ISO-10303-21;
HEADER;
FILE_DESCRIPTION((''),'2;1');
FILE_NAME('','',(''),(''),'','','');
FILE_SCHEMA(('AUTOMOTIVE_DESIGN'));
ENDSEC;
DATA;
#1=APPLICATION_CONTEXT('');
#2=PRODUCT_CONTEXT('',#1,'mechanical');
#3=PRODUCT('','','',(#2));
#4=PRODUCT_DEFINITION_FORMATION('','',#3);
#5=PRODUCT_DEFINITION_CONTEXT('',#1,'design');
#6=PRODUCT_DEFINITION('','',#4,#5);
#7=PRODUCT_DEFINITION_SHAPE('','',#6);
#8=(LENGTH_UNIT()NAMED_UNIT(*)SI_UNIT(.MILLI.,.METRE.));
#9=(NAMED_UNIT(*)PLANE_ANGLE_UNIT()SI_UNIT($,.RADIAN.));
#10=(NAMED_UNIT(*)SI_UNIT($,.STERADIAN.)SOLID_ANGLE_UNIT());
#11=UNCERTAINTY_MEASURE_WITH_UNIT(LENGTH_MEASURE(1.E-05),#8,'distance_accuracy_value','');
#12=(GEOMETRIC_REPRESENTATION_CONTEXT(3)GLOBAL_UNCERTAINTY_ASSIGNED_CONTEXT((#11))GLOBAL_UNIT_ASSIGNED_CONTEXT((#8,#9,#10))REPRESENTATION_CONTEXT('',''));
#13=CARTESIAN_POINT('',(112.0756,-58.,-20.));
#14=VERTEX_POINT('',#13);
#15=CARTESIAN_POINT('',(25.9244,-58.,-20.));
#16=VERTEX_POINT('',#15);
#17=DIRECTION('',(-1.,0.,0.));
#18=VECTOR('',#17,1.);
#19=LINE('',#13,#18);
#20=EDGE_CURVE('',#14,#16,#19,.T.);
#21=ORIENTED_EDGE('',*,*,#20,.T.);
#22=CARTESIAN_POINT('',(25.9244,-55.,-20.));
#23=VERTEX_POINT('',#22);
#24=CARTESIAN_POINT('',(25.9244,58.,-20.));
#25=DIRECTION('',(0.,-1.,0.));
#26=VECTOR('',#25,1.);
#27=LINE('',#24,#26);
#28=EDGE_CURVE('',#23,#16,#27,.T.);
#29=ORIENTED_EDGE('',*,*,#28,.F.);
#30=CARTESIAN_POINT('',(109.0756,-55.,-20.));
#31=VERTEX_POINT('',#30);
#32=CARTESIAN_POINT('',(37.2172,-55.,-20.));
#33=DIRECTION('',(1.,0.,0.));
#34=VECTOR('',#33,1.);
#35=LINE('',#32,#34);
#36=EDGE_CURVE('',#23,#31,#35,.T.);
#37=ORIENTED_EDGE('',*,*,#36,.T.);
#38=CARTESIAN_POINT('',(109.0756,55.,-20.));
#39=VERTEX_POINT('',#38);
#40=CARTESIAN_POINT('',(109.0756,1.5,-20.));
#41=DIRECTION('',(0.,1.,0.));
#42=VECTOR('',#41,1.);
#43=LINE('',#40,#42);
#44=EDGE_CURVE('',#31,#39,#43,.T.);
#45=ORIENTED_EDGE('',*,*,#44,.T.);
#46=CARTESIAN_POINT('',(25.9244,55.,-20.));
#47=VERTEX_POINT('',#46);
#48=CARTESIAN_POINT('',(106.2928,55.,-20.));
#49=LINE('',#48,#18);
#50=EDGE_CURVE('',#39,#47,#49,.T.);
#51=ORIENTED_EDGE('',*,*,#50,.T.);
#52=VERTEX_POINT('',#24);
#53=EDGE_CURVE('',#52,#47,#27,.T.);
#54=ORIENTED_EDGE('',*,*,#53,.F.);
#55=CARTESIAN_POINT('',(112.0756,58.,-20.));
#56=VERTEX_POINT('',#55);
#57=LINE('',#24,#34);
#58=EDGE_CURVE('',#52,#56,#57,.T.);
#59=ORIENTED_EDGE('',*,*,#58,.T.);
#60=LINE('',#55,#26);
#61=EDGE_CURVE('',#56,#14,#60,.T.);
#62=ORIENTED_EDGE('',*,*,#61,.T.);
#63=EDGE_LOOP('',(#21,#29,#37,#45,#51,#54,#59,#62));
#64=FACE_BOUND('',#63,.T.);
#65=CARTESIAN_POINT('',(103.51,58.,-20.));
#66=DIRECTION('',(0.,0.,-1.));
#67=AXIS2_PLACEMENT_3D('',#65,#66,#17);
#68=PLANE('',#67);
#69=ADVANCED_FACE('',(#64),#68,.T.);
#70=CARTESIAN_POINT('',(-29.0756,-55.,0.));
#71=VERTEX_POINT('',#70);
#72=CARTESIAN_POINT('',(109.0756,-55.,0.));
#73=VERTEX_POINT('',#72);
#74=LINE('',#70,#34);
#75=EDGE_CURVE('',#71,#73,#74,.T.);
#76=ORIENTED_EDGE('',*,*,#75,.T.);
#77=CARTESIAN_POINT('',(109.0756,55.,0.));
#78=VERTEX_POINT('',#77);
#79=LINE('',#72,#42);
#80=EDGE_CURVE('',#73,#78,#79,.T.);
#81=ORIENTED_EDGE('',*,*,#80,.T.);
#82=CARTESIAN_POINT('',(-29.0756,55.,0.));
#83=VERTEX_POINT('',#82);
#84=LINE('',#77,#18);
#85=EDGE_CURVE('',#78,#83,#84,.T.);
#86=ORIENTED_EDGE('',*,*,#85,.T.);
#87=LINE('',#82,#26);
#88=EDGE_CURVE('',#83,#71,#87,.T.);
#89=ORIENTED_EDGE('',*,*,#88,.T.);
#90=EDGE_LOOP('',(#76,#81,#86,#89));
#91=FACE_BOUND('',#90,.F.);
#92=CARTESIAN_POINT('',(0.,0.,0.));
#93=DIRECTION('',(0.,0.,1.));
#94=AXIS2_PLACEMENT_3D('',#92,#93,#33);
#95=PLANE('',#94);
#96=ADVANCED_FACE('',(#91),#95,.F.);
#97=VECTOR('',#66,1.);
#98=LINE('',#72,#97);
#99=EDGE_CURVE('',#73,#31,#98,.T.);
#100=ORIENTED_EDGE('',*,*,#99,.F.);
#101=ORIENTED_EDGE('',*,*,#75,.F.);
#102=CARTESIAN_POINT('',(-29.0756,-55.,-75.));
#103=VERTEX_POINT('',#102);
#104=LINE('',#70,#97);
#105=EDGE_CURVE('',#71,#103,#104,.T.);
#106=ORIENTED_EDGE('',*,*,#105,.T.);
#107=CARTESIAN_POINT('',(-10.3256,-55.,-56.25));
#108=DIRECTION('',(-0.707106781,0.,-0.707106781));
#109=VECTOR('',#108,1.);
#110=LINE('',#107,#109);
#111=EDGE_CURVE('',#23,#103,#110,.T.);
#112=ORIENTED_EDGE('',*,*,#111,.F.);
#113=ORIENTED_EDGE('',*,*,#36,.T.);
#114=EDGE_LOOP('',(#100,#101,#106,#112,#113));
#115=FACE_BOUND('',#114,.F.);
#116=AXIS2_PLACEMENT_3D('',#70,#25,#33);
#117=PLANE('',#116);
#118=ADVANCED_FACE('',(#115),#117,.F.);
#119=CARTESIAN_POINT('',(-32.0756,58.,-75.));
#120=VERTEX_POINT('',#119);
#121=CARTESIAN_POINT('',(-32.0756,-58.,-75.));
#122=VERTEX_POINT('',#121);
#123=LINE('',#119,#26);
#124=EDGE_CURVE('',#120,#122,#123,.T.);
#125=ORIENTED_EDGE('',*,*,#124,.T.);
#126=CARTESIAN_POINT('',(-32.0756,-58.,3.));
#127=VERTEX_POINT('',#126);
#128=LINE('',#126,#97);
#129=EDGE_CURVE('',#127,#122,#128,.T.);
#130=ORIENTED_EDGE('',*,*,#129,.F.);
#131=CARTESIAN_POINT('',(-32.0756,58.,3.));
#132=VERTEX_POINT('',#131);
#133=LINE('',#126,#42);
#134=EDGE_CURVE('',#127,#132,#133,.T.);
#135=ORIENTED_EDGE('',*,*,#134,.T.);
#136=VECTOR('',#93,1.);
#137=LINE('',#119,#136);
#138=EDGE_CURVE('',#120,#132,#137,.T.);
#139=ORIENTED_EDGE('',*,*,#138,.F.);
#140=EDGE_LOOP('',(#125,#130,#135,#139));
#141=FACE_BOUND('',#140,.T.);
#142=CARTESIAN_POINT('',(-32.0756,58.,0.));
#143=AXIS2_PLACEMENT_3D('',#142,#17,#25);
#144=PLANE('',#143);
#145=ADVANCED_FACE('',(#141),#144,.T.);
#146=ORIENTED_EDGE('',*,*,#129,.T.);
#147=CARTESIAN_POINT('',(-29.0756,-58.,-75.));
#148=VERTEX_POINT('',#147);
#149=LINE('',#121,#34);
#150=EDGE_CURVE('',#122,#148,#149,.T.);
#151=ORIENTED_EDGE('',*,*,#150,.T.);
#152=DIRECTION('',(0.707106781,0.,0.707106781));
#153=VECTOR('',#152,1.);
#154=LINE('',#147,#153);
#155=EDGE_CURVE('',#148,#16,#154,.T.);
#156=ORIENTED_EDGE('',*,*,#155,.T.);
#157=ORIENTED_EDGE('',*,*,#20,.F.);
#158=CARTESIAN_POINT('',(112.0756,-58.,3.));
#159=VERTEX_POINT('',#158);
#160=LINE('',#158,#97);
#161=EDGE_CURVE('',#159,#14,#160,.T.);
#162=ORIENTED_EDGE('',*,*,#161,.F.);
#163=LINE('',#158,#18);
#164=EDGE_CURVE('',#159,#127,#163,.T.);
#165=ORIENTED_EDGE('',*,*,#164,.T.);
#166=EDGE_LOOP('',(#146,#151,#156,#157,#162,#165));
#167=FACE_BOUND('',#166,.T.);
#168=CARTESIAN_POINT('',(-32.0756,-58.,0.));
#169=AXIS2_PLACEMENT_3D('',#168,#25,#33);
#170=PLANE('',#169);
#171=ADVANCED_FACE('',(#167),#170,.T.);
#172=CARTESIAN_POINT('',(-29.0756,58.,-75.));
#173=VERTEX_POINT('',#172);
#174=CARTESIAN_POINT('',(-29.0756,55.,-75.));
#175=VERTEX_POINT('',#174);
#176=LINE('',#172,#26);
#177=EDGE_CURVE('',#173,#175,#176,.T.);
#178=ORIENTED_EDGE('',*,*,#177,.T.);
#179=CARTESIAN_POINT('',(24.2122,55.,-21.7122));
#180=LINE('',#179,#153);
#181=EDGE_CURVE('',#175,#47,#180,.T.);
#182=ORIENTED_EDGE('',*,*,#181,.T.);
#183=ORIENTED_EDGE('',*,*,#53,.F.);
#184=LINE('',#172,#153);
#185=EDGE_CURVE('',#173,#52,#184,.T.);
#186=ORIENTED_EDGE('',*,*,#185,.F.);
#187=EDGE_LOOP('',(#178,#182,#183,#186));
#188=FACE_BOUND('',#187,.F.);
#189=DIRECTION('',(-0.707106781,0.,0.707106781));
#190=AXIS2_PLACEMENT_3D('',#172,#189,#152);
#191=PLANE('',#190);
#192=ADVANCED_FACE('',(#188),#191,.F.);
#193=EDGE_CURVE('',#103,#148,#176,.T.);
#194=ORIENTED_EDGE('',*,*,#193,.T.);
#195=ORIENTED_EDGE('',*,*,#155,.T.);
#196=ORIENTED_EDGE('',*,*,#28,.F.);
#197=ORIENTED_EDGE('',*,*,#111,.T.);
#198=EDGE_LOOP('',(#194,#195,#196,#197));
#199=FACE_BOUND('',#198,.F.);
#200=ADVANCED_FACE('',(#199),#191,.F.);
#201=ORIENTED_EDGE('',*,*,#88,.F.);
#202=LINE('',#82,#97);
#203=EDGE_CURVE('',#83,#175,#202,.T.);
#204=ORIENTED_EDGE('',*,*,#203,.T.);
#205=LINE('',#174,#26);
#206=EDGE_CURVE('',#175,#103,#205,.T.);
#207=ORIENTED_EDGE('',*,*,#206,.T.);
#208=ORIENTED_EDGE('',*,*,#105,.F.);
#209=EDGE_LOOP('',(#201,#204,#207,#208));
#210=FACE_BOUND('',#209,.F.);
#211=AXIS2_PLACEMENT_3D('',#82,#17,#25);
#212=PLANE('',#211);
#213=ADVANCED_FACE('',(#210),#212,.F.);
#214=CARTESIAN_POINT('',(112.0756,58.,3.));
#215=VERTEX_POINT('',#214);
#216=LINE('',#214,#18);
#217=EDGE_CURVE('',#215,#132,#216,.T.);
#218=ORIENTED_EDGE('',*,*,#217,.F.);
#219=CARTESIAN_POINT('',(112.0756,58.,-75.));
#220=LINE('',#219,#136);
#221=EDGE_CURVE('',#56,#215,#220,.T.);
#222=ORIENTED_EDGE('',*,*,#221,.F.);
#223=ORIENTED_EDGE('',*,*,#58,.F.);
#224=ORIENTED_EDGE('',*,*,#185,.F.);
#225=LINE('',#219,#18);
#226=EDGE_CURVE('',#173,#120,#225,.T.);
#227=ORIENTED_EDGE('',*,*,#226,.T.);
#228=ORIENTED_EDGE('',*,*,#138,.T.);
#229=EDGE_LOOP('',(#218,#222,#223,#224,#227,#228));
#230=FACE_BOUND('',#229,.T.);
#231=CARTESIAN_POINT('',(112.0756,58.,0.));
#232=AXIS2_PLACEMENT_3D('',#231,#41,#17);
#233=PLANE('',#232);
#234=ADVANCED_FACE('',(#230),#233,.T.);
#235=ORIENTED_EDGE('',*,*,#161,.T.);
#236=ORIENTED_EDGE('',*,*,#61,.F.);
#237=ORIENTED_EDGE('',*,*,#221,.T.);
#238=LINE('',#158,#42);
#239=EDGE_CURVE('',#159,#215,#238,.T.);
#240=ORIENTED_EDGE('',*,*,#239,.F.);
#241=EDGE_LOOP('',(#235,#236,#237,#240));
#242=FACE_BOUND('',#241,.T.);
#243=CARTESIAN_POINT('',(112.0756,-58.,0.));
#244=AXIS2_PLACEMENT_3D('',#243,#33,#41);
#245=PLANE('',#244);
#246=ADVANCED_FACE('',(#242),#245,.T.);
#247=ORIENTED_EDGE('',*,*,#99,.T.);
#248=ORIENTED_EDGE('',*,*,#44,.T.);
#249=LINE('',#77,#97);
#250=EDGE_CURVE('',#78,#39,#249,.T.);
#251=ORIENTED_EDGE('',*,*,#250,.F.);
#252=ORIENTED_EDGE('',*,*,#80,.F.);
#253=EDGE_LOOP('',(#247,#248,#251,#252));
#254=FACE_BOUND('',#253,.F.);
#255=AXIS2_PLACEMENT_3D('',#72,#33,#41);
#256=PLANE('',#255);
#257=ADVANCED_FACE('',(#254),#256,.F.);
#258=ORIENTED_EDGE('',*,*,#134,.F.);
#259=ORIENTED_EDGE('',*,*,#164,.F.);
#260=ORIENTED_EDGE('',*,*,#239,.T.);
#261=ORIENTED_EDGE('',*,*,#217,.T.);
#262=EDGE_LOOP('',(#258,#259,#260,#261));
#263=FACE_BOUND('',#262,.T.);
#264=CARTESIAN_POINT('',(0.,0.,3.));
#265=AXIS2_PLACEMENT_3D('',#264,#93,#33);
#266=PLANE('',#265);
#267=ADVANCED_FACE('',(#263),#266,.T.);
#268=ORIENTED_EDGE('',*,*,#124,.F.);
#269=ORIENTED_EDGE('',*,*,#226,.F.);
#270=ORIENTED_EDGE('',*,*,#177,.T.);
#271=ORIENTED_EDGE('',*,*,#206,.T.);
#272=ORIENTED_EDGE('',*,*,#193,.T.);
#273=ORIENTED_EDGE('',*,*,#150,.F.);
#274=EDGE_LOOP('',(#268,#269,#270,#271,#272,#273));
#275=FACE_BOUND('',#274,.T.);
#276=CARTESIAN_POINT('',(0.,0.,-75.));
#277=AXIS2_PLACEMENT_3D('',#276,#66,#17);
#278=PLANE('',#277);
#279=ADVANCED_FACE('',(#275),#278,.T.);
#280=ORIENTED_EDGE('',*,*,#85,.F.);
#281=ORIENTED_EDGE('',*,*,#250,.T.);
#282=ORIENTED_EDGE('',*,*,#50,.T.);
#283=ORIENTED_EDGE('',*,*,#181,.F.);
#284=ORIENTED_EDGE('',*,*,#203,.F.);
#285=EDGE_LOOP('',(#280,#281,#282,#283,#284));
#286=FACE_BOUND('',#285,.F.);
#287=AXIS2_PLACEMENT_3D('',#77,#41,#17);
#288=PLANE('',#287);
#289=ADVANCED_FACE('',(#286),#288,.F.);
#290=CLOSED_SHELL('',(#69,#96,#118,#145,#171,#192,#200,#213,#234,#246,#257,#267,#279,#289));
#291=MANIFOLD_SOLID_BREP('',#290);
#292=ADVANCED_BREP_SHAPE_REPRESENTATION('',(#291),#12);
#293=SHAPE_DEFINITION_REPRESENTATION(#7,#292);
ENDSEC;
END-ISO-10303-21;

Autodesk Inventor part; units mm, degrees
ref_plane "YZ Plane" through (0, 0, 0) normal (1, 0, 0) x (0, 1, 0)
ref_plane "XZ Plane" through (0, 0, 0) normal (0, 1, 0) x (-1, 0, 0)
ref_plane "XY Plane" through (0, 0, 0) normal (0, 0, 1) x (1, 0, 0)
sketch "Эскиз1" plane through (0, 0, 0) normal (0, 0, 1) x (1, 0, 0)
  line L0 (29.9444, -74.6554) -> (-27.0756, -74.6554) projected
  line L1 (29.9444, 31.7946) -> (29.9444, -74.6554) projected
  line L2 (-27.0756, 31.7946) -> (29.9444, 31.7946) projected
  line L3 (-27.0756, -74.6554) -> (-27.0756, 31.7946) projected
  circle A0 centre (-22.2656, 27.6646) radius 2 projected
  circle A1 centre (-22.2656, -70.5254) radius 2 projected
  circle A2 centre (25.1344, -70.5254) radius 2 projected
  circle A3 centre (25.1344, 27.6646) radius 2 projected
  line L4 (-29.0756, 55) -> (29.0756, 55)
  line L5 (29.0756, 55) -> (29.0756, -55)
  line L6 (29.0756, -55) -> (-29.0756, -55)
  line L7 (-29.0756, -55) -> (-29.0756, 55)
  line L8 (-29.0756, 55) -> (29.0756, -55) construction
  line L9 (29.0756, 55) -> (-29.0756, -55) construction
  line L10 (-32.0756, 58) -> (32.0756, 58)
  line L11 (32.0756, 58) -> (32.0756, -58)
  line L12 (32.0756, -58) -> (-32.0756, -58)
  line L13 (-32.0756, -58) -> (-32.0756, 58)
  line L14 (29.0756, 55) -> (109.0756, 55)
  line L15 (109.0756, 55) -> (109.0756, -55)
  line L16 (109.0756, -55) -> (29.0756, -55)
  line L17 (32.0756, -58) -> (112.0756, -58)
  line L18 (112.0756, -58) -> (112.0756, 58)
  line L19 (112.0756, 58) -> (32.0756, 58)
  point P0 (0, 0)
  dimension "d0" = 110
  dimension "d1" = 2
  dimension "d2" = 3
  dimension "d3" = 80
  dimension "d4" = 80
extrude "Выдавливание1" add sketch "Эскиз1" along normal blind 3 contours L12 L3 L6 L16 L1 | L1 L16 L11 L12 | L12 L13 L10 L11 L14 L4 L7 L6 L3 | L16 L5 L2 L1 | L1 L2 L5 L14 L11 L16 | L11 L16 L15 L14 L19 L18 L17 | L6 L7 L4 L5 L2 L3 | L3 L2 L5 L6 | L11 L14 L15 L16 | A0 | A3
sketch "Эскиз2" plane through (0, 0, 0) normal (0, 0, -1) x (-1, 0, 0)
  line L0 (-112.0756, -58) -> (-112.0756, 58) projected
  line L1 (32.0756, -58) -> (-112.0756, -58) projected
  line L2 (32.0756, 58) -> (32.0756, -58) projected
  line L3 (-112.0756, 58) -> (32.0756, 58) projected
  line L4 (-109.0756, -55) -> (-109.0756, 55)
  line L5 (-109.0756, 55) -> (29.0756, 55)
  line L6 (29.0756, 55) -> (29.0756, -55)
  line L7 (29.0756, -55) -> (-109.0756, -55)
  point P0 (0, 0)
  dimension "d7" = 3
extrude "Выдавливание2" add sketch "Эскиз2" along normal blind 75
sketch "Эскиз3" plane through (-32.0756, 58, 3) normal (0, 1, 0) x (1, 0, 0)
  line L0 (3, 3) -> (3, 78) projected
  line L1 (3, 78) -> (78, 3)
  line L2 (3, 3) -> (141.1512, 3) projected
  line L3 (0, 78) -> (0, 0) projected
  line L4 (144.1512, 0) -> (0, 0) projected
  line L5 (144.1512, 78) -> (144.1512, 0) projected
  line L6 (0, 78) -> (144.1512, 78) projected
  line L7 (141.1512, 3) -> (141.1512, 78) projected
  line L8 (141.1512, 3) -> (144.1512, 3)
  line L9 (144.1512, 78) -> (144.1512, 0) projected
  line L10 (144.1512, 3) -> (144.1512, 18)
  line L11 (144.1512, 0) -> (144.1512, 78) projected
  line L12 (144.1512, 18) -> (63, 18)
  line L13 (135.5856, 23) -> (56.5656, 23) projected
  line L14 (58, 23) -> (144.1512, 23)
  point P0 (32.0756, 3)
  point P1 (78, 3)
  point P2 (3, 78)
  point P3 (144.1512, 3)
  point P4 (144.1512, 18)
  point P5 (58, 23)
  point P6 (134.1512, 23)
  dimension "d10" = 45
  dimension "d13" = 15
extrude "Выдавливание3" cut sketch "Эскиз3" against normal up to surface (116 mm away) contours L6 L7 L14 L13 L1 | L6 L5 L14 L7
sketch "Эскиз4" plane through (-32.0756, -58, 3) normal (-1, 0, 0) x (0, 0, 1)
  line L0 (-78, 116) -> (-78, 113) projected
  line L1 (-78, 116) -> (-72, 116)
  line L2 (-23, 116) -> (-78, 116) projected
  line L3 (-72, 116) -> (-72, 0)
  line L4 (-78, 0) -> (0, 0) projected
  point P0 (-3, 58)
  point P1 (-18, 116)
  point P2 (-3, 116)
  dimension "d14" = 6
sketch "Эскиз5" plane through (112.0756, -58, 3) normal (1, 0, 0) x (0, 0, -1)
  line L0 (78, 116) -> (0, 116) projected
  line L1 (23, 116) -> (0, 116)
  line L2 (11.5, 116) -> (11.5, 0)
  line L3 (78, 0) -> (0, 0) projected
  point P0 (3, 58)
properties part number "LPS_base"
